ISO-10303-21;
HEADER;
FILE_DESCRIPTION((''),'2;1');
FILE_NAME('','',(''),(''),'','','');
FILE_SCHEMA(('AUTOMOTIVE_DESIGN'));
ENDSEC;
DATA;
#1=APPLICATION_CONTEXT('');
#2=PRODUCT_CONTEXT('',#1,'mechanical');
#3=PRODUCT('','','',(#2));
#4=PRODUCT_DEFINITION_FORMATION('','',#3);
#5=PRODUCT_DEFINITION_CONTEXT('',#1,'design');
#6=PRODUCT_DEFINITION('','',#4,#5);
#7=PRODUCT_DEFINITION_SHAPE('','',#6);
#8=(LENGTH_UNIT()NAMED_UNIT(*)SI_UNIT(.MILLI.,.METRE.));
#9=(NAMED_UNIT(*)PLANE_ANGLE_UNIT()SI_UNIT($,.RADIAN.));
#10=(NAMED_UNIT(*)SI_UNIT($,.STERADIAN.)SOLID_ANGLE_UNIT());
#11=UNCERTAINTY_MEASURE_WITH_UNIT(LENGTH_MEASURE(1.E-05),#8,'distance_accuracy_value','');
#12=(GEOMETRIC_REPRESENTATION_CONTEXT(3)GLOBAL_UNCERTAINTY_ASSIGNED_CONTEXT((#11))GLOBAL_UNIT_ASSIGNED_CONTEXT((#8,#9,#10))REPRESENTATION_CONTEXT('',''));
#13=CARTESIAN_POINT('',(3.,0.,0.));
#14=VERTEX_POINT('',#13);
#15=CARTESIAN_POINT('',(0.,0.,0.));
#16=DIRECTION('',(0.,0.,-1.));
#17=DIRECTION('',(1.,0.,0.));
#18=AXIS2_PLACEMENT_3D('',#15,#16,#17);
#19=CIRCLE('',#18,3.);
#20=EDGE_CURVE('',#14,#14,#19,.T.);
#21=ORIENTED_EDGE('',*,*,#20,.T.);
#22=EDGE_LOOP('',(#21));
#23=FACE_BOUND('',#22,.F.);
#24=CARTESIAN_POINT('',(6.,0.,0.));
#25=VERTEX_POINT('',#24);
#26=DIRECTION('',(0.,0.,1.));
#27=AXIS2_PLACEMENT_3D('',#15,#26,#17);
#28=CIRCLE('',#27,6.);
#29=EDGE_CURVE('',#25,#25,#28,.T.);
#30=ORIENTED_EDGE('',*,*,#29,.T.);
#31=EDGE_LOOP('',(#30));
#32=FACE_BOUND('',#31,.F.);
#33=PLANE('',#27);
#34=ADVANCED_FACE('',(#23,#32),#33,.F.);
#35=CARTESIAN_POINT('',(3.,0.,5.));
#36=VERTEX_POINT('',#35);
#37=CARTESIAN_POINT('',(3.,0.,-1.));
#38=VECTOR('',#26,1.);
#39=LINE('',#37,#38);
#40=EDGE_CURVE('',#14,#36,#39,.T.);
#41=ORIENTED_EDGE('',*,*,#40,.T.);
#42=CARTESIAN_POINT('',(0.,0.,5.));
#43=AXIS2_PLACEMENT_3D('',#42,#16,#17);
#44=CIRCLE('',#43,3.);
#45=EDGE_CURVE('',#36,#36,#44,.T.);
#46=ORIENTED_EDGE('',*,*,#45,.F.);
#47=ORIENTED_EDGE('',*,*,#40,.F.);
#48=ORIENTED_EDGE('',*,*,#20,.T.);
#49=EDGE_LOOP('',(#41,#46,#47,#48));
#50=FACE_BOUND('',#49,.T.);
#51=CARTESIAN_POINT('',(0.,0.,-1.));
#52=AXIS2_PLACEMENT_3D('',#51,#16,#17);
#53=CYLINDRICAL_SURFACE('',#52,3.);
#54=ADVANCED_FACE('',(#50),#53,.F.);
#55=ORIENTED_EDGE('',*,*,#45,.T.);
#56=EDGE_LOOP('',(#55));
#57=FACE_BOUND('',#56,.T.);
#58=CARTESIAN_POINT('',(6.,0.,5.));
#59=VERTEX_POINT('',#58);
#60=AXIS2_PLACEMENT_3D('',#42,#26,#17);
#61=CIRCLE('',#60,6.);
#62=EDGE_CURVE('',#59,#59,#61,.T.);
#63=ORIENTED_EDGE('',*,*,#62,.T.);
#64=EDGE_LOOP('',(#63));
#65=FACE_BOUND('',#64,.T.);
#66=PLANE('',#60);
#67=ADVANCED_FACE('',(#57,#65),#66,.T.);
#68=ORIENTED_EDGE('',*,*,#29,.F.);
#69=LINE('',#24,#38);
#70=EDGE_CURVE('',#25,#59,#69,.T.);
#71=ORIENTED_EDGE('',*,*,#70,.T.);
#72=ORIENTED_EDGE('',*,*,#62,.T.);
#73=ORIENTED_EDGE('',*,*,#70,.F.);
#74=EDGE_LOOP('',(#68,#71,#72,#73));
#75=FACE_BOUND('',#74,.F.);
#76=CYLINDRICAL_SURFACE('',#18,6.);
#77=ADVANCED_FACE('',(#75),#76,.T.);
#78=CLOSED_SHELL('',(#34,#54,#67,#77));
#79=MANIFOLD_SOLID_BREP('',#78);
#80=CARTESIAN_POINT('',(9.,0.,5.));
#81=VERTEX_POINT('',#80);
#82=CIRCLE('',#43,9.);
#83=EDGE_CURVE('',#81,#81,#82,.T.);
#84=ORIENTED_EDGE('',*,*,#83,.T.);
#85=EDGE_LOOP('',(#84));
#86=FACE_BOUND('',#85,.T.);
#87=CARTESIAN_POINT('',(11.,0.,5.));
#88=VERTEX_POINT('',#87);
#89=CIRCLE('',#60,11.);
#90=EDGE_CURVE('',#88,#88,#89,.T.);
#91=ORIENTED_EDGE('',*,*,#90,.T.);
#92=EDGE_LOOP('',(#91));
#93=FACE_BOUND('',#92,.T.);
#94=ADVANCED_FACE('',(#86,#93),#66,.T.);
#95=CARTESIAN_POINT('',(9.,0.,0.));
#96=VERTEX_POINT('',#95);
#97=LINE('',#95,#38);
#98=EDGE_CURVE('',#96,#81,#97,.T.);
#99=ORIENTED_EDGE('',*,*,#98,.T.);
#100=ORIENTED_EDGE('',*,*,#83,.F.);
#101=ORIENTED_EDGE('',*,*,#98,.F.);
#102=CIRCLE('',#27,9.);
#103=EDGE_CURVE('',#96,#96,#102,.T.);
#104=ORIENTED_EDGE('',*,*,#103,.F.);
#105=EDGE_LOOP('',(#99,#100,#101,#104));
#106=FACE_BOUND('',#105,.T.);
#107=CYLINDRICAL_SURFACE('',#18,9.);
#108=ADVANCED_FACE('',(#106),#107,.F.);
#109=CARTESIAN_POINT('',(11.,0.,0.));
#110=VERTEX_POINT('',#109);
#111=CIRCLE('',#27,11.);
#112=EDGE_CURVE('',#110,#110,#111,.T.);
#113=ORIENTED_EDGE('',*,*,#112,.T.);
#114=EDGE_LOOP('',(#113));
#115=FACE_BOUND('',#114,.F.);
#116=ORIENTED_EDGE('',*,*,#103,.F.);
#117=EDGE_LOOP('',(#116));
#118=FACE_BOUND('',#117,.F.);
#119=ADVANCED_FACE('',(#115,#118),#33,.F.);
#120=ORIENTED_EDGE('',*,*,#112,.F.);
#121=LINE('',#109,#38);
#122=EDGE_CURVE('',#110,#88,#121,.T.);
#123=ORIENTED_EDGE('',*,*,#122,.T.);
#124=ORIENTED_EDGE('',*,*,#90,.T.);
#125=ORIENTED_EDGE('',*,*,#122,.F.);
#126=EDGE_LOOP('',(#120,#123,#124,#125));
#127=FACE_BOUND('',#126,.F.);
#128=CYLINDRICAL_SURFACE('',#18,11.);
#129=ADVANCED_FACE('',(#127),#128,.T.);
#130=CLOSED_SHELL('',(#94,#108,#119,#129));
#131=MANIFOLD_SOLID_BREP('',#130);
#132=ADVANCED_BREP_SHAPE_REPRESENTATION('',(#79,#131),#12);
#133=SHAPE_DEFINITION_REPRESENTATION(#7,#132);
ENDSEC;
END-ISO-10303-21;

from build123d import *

# Parameters (mm, degrees)
CYLINDER001_R     = 9
CYLINDER001_DEPTH = 10
CYLINDER_R        = 11
CYLINDER_DEPTH    = 5
CYLINDER003_R     = 3
CYLINDER003_DEPTH = 10
CYLINDER002_R     = 6
CYLINDER002_DEPTH = 5


with BuildPart() as cylinder001:
    # Cylinder001 → Cylinder001 (new body)
    with BuildSketch(Plane.XY):
        Circle(CYLINDER001_R)
    extrude(amount=CYLINDER001_DEPTH)


with BuildPart() as cut:
    # Cylinder → Cylinder (new body)
    with BuildSketch(Plane.XY):
        Circle(CYLINDER_R)
    extrude(amount=CYLINDER_DEPTH)

    # Cut: cut Cylinder001
    add(cylinder001.part, mode=Mode.SUBTRACT)


with BuildPart() as cylinder003:
    # Cylinder003 → Cylinder003 (new body)
    with BuildSketch(Plane.XY.offset(-1)):
        Circle(CYLINDER003_R)
    extrude(amount=CYLINDER003_DEPTH)


with BuildPart() as cut001:
    # Cylinder002 → Cylinder002 (new body)
    with BuildSketch(Plane.XY):
        Circle(CYLINDER002_R)
    extrude(amount=CYLINDER002_DEPTH)

    # Cut001: cut Cylinder003
    add(cylinder003.part, mode=Mode.SUBTRACT)


solid = Compound([cut.part, cut001.part])
